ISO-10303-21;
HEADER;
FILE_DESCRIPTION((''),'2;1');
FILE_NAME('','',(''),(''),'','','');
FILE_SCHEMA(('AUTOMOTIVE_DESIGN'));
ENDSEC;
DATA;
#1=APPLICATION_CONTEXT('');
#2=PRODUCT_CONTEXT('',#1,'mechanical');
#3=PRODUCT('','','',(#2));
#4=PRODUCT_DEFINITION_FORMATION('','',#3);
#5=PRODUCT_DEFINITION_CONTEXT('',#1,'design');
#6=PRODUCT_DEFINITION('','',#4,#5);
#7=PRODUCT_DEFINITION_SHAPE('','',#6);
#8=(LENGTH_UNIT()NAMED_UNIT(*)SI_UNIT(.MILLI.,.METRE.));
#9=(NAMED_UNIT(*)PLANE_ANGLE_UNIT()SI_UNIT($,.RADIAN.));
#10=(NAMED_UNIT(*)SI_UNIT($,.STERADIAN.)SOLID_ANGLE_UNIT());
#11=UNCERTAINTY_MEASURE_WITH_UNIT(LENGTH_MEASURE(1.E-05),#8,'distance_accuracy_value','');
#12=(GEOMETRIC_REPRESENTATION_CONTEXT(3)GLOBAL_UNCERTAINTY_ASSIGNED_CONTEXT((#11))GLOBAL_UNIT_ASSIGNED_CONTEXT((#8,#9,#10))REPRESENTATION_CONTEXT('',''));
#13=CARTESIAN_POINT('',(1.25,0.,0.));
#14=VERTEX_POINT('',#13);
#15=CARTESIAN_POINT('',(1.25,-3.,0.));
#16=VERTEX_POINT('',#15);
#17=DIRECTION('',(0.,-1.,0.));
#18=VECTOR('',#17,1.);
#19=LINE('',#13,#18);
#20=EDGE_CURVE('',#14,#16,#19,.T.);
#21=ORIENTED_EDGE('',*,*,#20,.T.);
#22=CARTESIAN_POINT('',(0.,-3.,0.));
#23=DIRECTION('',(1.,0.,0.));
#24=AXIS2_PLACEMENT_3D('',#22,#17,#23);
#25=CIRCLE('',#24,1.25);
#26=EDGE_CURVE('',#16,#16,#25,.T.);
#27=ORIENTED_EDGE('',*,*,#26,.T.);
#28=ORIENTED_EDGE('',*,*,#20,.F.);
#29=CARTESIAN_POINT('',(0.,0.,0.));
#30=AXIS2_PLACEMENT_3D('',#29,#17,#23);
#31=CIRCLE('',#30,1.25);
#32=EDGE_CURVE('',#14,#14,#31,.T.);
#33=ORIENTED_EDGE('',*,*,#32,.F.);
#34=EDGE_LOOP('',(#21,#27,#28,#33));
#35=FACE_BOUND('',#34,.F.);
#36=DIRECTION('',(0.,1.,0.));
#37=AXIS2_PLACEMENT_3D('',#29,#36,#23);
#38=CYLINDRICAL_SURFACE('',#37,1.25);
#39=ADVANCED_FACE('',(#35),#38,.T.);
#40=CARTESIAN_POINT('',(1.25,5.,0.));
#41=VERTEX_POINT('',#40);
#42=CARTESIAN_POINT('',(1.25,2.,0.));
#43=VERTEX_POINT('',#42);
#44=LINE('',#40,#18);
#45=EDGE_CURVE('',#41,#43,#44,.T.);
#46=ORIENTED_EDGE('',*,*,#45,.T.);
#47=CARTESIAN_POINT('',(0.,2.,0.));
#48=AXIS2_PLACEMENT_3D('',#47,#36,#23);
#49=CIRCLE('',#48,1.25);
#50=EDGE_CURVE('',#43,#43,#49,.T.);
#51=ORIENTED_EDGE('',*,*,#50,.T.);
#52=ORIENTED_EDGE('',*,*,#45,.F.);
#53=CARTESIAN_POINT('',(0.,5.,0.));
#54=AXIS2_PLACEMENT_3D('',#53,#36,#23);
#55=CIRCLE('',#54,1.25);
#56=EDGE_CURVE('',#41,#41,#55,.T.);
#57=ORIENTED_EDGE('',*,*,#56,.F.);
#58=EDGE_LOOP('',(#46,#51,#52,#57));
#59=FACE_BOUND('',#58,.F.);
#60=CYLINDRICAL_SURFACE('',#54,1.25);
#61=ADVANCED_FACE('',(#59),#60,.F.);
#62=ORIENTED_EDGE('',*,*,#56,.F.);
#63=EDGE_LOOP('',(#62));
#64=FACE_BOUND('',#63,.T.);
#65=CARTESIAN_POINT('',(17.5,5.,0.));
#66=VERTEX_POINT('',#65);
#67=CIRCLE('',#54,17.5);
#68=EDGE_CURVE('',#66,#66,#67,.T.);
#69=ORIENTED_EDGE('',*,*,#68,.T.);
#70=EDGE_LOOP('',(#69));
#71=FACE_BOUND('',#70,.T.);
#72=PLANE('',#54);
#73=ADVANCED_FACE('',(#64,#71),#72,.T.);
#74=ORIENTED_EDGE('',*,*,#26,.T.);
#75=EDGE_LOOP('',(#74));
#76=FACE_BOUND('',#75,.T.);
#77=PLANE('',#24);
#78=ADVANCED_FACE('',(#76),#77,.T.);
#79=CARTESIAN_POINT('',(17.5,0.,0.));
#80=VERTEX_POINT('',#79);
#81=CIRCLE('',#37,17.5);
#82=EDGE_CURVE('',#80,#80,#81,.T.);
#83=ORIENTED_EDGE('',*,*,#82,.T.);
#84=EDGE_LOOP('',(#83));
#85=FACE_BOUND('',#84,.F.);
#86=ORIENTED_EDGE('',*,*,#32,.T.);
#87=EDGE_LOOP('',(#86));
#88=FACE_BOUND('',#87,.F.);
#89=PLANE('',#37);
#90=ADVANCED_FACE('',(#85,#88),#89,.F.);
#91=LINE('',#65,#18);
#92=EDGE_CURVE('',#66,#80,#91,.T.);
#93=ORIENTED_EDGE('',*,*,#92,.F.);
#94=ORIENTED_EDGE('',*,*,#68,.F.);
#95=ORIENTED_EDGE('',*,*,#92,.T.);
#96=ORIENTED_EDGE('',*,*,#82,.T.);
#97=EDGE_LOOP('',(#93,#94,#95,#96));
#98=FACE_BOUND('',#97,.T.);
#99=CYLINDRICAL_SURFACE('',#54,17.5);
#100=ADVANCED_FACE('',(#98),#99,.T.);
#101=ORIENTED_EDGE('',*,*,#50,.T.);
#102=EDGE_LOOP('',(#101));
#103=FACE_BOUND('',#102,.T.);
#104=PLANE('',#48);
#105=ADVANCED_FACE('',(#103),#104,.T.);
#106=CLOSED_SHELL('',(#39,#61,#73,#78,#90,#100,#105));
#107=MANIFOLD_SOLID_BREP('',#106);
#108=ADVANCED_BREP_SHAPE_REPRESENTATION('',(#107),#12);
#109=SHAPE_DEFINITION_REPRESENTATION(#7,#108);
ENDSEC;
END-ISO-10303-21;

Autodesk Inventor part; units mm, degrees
ref_plane "YZ Plane" through (0, 0, 0) normal (1, 0, 0) x (0, 1, 0)
ref_plane "XZ Plane" through (0, 0, 0) normal (0, 1, 0) x (-1, 0, 0)
ref_plane "XY Plane" through (0, 0, 0) normal (0, 0, 1) x (1, 0, 0)
sketch "スケッチ1" plane through (0, 0, 0) normal (0, 1, 0) x (-1, 0, 0)
  circle A0 centre (0, 0) radius 12.5
  dimension "d0" = 25
extrude "押し出し1" add sketch "スケッチ1" along normal blind 5
sketch "スケッチ2" plane through (0, 5, 0) normal (0, 1, 0) x (1, 0, 0)
  circle A0 centre (0, 0) radius 12.5 projected
  circle A1 centre (0, 0) radius 1.25
  dimension "d3" = 2.5
extrude "押し出し2" cut sketch "スケッチ2" against normal blind 3 contours A1
sketch "スケッチ3" plane through (0, 0, 0) normal (0, -1, 0) x (1, 0, 0)
  circle A0 centre (0, 0) radius 12.5 projected
  circle A1 centre (0, 0) radius 1.25
  dimension "d6" = 2.5
extrude "押し出し3" add sketch "スケッチ3" along normal blind 3 contours A1
sketch "スケッチ4" plane through (0, 5, 0) normal (0, 1, 0) x (1, 0, 0)
  circle A0 centre (0, 0) radius 12.5 projected
  circle A1 centre (0, 0) radius 17.5
  dimension "d9" = 35
extrude "押し出し4" add sketch "スケッチ4" against normal blind 5
properties part number "知能ロボコンシリンダ延長35mm"
